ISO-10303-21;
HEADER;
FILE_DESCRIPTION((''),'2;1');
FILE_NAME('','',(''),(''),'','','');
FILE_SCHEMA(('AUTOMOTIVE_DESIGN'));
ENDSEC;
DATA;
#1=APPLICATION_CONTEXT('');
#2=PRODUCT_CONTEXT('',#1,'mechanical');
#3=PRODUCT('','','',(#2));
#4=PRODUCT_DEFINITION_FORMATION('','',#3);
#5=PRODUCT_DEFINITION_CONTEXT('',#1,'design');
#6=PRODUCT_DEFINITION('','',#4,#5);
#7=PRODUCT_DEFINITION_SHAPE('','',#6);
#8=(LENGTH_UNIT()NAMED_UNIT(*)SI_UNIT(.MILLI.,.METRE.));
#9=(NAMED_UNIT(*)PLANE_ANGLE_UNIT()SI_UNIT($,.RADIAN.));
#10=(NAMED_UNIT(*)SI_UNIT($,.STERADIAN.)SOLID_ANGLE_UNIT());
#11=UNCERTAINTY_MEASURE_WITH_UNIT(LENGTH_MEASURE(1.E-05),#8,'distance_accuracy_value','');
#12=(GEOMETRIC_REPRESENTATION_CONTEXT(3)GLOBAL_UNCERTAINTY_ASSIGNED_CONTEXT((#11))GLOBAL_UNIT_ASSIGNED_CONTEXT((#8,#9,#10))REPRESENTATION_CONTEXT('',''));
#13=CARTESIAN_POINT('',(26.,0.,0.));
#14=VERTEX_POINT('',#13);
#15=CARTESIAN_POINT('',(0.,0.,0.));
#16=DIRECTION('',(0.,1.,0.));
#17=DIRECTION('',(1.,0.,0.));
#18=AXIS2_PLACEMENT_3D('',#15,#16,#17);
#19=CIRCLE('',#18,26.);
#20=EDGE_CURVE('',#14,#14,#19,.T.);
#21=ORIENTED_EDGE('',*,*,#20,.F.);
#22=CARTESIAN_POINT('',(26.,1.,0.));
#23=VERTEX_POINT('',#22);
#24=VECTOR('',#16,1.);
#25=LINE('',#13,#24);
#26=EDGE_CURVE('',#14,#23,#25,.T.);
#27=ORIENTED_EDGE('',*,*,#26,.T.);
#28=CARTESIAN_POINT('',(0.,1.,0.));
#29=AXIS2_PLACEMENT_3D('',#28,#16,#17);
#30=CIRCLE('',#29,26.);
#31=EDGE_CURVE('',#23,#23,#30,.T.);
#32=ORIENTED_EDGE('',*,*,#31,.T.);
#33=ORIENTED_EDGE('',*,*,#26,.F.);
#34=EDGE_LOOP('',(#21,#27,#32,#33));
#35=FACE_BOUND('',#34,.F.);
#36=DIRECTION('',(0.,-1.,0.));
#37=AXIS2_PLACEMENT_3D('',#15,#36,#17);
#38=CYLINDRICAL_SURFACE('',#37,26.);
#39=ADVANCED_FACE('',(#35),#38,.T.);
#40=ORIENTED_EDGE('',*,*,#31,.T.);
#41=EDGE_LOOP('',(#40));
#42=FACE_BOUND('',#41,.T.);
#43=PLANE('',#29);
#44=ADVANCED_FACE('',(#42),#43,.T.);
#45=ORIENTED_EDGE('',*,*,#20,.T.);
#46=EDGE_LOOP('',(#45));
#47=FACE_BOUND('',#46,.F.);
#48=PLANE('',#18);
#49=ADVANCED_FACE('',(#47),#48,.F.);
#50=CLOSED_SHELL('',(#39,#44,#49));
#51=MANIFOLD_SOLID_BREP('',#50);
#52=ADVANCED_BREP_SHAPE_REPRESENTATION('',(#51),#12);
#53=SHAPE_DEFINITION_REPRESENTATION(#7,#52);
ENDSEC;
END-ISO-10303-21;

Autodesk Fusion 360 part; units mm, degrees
sketch "Sketch1" plane through (0, 0, 0) normal (0, 1, 0) x (1, 0, 0)
  circle A0 centre (0, 0) radius 26
  dimension "d1" = 52
extrude "Extrude1" add sketch "Sketch1" along normal blind 1
